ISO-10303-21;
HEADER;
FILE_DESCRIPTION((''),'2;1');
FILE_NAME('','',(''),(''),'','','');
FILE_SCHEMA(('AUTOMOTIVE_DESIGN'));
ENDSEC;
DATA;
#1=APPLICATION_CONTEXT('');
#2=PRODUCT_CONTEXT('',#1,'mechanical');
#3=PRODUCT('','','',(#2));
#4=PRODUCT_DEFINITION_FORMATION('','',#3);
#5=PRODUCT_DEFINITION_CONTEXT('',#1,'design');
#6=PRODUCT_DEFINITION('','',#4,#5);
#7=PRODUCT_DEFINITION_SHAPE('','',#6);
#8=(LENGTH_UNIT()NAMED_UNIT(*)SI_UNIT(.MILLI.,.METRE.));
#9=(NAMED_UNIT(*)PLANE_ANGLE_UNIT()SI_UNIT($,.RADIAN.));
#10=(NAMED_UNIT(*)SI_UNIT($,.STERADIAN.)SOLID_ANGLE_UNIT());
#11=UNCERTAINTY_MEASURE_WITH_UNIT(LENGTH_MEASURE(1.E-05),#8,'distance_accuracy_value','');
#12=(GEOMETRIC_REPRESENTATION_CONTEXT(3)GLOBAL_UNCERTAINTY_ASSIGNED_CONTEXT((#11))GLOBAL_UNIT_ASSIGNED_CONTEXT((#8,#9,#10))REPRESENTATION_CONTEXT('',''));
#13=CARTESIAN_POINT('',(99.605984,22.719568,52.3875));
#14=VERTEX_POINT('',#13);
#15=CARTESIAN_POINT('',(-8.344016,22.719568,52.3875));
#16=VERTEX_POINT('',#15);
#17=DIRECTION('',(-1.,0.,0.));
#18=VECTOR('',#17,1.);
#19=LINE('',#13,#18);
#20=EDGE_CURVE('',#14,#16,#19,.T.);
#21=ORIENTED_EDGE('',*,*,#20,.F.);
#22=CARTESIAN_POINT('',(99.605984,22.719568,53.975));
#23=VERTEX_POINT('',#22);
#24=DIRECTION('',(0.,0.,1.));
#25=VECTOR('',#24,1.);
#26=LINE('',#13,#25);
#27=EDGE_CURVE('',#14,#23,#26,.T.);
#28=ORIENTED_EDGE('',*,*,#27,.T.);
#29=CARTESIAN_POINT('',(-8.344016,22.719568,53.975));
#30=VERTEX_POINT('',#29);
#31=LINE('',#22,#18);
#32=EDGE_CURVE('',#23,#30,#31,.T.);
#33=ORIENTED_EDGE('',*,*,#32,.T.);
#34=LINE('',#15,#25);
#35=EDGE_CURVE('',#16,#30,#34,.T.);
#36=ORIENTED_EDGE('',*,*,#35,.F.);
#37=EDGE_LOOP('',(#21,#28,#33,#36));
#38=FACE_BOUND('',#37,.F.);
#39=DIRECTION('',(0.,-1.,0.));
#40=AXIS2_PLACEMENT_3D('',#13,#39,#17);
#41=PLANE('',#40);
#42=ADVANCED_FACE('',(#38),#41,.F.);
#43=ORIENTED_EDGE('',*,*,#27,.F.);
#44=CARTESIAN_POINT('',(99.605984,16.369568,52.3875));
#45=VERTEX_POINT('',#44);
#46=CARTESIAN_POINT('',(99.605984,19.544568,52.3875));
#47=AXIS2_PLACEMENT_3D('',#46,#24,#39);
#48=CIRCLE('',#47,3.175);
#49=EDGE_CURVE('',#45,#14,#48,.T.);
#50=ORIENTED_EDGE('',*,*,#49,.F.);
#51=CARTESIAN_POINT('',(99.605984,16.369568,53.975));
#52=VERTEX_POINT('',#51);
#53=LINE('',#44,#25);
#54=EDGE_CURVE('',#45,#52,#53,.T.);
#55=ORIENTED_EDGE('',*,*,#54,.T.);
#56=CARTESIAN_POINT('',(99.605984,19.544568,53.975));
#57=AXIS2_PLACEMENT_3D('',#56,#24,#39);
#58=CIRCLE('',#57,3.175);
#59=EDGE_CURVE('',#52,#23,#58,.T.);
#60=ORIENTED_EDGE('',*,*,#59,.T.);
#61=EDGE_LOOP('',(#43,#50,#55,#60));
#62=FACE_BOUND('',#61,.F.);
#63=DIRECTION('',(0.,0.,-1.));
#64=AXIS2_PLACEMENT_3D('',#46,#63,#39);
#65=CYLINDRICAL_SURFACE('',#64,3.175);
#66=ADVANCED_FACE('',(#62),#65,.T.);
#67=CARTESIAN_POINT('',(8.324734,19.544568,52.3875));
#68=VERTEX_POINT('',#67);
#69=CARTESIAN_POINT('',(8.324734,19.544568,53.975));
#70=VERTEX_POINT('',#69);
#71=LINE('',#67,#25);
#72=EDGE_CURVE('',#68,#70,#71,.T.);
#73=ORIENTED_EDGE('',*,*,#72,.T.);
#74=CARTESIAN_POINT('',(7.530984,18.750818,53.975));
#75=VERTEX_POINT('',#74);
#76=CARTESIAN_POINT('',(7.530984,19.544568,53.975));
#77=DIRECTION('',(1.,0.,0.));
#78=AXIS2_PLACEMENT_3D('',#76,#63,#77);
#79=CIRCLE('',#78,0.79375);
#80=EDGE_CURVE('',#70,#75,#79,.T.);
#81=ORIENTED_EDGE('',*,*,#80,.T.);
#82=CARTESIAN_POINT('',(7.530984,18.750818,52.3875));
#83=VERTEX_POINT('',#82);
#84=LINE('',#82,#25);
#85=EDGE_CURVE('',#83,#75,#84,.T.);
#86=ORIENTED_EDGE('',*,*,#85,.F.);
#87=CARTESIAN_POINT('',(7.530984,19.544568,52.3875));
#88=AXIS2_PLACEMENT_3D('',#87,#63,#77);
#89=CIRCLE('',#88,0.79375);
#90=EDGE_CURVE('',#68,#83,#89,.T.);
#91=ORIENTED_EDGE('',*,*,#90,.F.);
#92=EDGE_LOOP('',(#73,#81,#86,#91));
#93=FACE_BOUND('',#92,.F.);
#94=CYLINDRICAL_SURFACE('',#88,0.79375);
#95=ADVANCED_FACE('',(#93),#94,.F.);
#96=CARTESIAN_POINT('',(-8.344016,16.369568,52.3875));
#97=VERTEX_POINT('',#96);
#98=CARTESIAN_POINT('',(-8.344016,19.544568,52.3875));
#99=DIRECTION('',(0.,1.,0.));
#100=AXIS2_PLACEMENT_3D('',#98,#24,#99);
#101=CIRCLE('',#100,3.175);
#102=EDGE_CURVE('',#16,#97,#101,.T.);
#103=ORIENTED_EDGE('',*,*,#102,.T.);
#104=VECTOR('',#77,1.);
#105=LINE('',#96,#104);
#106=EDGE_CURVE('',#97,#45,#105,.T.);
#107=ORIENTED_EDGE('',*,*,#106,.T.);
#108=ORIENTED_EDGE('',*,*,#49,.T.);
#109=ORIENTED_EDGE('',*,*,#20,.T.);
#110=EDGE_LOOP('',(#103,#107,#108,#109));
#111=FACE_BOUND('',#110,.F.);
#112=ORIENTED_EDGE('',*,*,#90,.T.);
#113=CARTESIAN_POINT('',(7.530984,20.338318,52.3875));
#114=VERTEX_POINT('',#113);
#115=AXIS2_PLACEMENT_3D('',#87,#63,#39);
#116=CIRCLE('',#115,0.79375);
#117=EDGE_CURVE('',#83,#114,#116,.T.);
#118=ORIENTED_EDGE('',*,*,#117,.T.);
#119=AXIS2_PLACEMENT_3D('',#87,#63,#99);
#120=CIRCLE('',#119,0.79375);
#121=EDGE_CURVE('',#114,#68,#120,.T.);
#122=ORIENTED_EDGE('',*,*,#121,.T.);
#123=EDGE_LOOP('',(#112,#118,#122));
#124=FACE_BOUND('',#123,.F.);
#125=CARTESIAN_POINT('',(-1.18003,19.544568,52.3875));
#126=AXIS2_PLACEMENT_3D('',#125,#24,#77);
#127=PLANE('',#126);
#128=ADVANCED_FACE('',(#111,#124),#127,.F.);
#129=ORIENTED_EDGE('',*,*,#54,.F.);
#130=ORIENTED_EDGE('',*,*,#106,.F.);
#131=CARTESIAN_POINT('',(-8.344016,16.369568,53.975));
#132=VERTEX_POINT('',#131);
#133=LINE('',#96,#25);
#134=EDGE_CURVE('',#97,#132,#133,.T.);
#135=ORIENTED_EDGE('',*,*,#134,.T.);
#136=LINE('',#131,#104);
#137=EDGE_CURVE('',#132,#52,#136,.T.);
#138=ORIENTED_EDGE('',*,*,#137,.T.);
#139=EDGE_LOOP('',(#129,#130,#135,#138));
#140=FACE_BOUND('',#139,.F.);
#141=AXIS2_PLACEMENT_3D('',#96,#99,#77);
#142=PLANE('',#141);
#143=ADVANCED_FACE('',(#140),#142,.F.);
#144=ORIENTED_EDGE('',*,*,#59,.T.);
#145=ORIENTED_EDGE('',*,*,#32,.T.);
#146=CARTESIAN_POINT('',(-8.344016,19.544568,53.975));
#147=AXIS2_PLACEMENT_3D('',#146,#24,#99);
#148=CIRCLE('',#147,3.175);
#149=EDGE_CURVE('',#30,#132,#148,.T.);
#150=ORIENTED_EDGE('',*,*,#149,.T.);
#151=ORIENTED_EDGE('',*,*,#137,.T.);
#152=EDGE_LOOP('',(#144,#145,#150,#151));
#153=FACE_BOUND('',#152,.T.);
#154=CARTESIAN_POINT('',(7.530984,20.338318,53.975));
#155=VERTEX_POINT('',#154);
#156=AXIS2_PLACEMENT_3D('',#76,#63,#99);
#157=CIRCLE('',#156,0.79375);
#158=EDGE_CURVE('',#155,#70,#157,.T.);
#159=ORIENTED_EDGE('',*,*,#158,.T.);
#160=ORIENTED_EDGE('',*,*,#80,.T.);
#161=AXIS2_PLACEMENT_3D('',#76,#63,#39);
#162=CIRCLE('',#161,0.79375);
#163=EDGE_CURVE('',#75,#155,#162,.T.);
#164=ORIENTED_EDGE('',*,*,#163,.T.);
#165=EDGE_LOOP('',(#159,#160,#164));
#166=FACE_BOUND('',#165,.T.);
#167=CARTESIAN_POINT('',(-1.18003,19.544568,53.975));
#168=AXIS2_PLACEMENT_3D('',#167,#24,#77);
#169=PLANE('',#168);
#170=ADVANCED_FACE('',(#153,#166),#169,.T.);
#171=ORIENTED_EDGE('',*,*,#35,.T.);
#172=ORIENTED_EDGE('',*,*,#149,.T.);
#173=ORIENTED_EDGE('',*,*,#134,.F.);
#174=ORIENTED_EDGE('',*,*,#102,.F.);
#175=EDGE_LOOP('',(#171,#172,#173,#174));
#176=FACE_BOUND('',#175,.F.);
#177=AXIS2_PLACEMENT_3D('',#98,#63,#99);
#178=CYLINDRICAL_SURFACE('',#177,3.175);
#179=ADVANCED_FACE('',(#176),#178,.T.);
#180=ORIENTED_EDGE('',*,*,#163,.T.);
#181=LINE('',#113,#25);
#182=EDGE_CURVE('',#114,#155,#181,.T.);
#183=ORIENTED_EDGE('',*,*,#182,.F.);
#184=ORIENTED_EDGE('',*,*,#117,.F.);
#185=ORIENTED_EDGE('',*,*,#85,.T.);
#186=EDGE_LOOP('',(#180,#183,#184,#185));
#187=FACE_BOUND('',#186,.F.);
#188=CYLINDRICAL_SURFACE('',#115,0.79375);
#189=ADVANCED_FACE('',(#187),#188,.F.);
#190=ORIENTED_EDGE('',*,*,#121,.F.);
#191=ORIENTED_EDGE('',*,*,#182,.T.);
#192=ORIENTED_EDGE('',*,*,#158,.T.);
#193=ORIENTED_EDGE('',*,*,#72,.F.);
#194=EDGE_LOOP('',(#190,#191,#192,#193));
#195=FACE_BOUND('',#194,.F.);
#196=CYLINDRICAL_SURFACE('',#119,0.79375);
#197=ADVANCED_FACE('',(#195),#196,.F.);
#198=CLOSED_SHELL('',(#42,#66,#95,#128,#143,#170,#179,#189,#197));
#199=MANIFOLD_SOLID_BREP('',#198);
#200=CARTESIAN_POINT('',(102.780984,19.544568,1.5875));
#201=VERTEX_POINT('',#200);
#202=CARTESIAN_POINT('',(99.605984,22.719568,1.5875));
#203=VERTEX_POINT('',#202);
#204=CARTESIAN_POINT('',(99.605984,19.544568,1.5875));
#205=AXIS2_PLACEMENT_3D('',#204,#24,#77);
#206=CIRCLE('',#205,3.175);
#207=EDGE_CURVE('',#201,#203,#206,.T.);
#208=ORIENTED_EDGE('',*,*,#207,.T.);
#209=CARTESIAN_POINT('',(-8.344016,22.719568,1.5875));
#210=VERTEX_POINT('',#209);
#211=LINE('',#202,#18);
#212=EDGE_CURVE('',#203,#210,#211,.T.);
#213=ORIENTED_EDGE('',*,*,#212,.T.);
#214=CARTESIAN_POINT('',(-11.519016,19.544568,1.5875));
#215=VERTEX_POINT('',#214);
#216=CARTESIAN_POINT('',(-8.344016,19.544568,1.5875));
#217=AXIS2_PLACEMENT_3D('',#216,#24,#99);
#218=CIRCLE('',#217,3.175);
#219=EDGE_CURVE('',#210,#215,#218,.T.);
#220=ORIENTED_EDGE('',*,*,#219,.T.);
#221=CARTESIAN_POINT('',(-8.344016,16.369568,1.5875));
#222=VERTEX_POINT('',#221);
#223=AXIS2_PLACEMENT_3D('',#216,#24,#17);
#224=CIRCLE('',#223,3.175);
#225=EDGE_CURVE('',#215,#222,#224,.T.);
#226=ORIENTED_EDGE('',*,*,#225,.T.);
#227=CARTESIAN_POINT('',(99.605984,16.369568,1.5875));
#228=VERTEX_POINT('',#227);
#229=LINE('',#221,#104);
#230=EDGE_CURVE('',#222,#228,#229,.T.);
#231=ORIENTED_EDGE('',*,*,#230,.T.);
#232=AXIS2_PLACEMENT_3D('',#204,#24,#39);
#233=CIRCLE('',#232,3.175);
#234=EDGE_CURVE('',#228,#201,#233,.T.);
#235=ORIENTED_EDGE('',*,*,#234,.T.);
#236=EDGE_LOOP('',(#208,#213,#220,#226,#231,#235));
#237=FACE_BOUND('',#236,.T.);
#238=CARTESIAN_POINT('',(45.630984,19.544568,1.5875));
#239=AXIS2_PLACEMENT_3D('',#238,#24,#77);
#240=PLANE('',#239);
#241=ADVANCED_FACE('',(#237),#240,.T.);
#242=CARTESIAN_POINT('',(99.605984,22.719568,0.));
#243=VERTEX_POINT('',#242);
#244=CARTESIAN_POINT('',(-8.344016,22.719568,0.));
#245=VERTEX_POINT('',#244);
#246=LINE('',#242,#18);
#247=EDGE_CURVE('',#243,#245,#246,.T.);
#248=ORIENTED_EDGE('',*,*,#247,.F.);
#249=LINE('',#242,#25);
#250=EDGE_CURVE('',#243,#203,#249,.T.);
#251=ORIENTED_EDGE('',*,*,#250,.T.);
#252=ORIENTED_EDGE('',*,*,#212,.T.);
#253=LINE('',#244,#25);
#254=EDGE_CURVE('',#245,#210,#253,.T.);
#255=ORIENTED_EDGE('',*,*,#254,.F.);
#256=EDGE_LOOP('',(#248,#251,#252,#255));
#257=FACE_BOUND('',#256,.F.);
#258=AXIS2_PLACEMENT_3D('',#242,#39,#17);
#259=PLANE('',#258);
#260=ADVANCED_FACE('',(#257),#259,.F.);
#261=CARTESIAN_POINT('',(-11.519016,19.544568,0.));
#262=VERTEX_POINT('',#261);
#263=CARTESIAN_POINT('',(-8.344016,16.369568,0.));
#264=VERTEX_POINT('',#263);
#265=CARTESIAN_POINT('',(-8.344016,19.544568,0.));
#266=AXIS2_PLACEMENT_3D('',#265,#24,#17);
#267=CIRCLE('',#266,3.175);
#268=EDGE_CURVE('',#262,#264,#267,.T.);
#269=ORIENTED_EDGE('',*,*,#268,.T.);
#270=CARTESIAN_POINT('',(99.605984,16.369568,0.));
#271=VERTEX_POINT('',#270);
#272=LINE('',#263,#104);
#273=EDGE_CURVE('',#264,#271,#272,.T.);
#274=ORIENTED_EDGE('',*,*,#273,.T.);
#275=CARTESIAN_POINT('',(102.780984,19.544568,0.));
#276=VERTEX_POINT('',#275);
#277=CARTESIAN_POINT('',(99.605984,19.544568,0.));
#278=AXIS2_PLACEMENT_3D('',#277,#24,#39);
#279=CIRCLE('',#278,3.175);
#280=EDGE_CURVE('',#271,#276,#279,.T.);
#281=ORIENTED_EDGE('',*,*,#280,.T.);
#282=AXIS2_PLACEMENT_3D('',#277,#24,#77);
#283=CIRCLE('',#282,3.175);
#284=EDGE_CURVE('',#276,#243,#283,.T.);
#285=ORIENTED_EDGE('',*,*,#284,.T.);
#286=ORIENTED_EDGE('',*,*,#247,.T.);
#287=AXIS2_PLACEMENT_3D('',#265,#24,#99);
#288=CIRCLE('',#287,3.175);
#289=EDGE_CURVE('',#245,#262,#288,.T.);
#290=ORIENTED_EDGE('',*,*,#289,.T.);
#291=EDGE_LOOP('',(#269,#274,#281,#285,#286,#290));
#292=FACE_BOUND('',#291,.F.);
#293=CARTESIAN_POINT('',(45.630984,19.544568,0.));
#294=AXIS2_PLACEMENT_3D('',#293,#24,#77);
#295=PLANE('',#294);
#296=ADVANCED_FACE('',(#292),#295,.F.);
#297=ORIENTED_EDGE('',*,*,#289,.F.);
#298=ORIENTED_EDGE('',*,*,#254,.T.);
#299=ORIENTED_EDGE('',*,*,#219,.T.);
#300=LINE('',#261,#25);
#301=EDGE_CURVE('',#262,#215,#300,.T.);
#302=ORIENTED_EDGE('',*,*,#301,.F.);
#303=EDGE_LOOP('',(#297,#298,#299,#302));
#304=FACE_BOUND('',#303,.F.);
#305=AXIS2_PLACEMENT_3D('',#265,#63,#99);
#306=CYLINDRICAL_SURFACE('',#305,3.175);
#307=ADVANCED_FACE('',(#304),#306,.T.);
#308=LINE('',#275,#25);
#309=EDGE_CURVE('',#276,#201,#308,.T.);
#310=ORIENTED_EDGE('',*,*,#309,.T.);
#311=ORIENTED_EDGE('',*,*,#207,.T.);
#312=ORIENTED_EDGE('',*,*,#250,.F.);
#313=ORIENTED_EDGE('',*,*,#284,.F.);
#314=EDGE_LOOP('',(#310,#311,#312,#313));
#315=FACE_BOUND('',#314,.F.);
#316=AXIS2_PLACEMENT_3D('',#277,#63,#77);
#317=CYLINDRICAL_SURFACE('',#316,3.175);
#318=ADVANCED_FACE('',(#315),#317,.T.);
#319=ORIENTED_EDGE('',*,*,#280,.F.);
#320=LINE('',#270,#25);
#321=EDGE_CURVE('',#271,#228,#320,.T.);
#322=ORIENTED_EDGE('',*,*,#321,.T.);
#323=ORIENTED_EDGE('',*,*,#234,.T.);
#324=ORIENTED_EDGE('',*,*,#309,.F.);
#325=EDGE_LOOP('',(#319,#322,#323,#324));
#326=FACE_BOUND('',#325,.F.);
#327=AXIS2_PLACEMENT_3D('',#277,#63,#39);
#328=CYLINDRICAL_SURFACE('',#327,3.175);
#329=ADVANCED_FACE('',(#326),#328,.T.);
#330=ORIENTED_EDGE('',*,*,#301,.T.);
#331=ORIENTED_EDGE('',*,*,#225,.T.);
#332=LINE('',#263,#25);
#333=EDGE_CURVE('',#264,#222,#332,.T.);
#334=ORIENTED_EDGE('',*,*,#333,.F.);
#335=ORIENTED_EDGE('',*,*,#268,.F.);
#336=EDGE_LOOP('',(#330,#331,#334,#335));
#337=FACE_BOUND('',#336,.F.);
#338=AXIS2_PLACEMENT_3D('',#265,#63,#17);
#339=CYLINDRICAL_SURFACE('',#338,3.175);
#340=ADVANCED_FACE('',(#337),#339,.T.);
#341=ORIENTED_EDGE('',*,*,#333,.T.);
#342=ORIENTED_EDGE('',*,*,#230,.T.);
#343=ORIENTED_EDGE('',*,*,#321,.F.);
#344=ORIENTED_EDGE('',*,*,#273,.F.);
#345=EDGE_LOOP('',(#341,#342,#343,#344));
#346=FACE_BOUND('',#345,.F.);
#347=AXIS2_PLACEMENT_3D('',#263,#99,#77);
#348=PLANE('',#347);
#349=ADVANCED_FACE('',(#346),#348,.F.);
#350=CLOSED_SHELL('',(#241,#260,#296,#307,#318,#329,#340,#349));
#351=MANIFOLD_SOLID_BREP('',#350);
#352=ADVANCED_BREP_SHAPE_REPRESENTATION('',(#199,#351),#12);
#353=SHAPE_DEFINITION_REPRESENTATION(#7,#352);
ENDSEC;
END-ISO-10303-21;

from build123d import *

# Parameters (mm, degrees)
F1_DEPTH = 1.5875
F4_DEPTH = 1.5875


with BuildPart() as f1:
    # F0 (on Top) → F1 (new body)
    with BuildSketch(Plane.XY):
        with BuildLine():
            ThreePointArc((-11.5190159917, 19.5445679128), (-10.589080022, 17.2995038825), (-8.3440159917, 16.3695679128))
            Line((-8.3440159917, 16.3695679128), (99.6059840083, 16.3695679128))
            ThreePointArc((99.6059840083, 16.3695679128), (101.8510480386, 17.2995038825), (102.7809840083, 19.5445679128))
            ThreePointArc((102.7809840083, 19.5445679128), (101.8510480386, 21.7896319431), (99.6059840083, 22.7195679128))
            Line((99.6059840083, 22.7195679128), (-8.3440159917, 22.7195679128))
            ThreePointArc((-8.3440159917, 22.7195679128), (-10.589080022, 21.7896319431), (-11.5190159917, 19.5445679128))
        make_face()
    extrude(amount=F1_DEPTH)


with BuildPart() as f4:
    # F3 (on offset) → F4 (new body)
    with BuildSketch(Plane.XY.offset(52.3875)):
        with BuildLine():
            Line((7.5309840083, 22.7195679128), (-8.3440159917, 22.7195679128))
            ThreePointArc((-8.3440159917, 22.7195679128), (-11.5190159917, 19.5445679128), (-8.3440159917, 16.3695679128))
            Line((-8.3440159917, 16.3695679128), (7.5309840083, 16.3695679128))
            Line((7.5309840083, 16.3695679128), (7.5309840083, 18.7508179128))
            ThreePointArc((7.5309840083, 18.7508179128), (6.7372340083, 19.5445679128), (7.5309840083, 20.3383179128))
            Line((7.5309840083, 20.3383179128), (7.5309840083, 22.7195679128))
        make_face()
        with BuildLine():
            Line((99.6059840083, 22.7195679128), (7.5309840083, 22.7195679128))
            Line((7.5309840083, 22.7195679128), (7.5309840083, 20.3383179128))
            ThreePointArc((7.5309840083, 20.3383179128), (8.0922500159, 20.1058339204), (8.3247340083, 19.5445679128))
            ThreePointArc((8.3247340083, 19.5445679128), (8.0922500159, 18.9833019053), (7.5309840083, 18.7508179128))
            Line((7.5309840083, 18.7508179128), (7.5309840083, 16.3695679128))
            Line((7.5309840083, 16.3695679128), (99.6059840083, 16.3695679128))
            ThreePointArc((99.6059840083, 16.3695679128), (102.7809840083, 19.5445679128), (99.6059840083, 22.7195679128))
        make_face()
    extrude(amount=F4_DEPTH)


solid = Compound([f1.part, f4.part])
